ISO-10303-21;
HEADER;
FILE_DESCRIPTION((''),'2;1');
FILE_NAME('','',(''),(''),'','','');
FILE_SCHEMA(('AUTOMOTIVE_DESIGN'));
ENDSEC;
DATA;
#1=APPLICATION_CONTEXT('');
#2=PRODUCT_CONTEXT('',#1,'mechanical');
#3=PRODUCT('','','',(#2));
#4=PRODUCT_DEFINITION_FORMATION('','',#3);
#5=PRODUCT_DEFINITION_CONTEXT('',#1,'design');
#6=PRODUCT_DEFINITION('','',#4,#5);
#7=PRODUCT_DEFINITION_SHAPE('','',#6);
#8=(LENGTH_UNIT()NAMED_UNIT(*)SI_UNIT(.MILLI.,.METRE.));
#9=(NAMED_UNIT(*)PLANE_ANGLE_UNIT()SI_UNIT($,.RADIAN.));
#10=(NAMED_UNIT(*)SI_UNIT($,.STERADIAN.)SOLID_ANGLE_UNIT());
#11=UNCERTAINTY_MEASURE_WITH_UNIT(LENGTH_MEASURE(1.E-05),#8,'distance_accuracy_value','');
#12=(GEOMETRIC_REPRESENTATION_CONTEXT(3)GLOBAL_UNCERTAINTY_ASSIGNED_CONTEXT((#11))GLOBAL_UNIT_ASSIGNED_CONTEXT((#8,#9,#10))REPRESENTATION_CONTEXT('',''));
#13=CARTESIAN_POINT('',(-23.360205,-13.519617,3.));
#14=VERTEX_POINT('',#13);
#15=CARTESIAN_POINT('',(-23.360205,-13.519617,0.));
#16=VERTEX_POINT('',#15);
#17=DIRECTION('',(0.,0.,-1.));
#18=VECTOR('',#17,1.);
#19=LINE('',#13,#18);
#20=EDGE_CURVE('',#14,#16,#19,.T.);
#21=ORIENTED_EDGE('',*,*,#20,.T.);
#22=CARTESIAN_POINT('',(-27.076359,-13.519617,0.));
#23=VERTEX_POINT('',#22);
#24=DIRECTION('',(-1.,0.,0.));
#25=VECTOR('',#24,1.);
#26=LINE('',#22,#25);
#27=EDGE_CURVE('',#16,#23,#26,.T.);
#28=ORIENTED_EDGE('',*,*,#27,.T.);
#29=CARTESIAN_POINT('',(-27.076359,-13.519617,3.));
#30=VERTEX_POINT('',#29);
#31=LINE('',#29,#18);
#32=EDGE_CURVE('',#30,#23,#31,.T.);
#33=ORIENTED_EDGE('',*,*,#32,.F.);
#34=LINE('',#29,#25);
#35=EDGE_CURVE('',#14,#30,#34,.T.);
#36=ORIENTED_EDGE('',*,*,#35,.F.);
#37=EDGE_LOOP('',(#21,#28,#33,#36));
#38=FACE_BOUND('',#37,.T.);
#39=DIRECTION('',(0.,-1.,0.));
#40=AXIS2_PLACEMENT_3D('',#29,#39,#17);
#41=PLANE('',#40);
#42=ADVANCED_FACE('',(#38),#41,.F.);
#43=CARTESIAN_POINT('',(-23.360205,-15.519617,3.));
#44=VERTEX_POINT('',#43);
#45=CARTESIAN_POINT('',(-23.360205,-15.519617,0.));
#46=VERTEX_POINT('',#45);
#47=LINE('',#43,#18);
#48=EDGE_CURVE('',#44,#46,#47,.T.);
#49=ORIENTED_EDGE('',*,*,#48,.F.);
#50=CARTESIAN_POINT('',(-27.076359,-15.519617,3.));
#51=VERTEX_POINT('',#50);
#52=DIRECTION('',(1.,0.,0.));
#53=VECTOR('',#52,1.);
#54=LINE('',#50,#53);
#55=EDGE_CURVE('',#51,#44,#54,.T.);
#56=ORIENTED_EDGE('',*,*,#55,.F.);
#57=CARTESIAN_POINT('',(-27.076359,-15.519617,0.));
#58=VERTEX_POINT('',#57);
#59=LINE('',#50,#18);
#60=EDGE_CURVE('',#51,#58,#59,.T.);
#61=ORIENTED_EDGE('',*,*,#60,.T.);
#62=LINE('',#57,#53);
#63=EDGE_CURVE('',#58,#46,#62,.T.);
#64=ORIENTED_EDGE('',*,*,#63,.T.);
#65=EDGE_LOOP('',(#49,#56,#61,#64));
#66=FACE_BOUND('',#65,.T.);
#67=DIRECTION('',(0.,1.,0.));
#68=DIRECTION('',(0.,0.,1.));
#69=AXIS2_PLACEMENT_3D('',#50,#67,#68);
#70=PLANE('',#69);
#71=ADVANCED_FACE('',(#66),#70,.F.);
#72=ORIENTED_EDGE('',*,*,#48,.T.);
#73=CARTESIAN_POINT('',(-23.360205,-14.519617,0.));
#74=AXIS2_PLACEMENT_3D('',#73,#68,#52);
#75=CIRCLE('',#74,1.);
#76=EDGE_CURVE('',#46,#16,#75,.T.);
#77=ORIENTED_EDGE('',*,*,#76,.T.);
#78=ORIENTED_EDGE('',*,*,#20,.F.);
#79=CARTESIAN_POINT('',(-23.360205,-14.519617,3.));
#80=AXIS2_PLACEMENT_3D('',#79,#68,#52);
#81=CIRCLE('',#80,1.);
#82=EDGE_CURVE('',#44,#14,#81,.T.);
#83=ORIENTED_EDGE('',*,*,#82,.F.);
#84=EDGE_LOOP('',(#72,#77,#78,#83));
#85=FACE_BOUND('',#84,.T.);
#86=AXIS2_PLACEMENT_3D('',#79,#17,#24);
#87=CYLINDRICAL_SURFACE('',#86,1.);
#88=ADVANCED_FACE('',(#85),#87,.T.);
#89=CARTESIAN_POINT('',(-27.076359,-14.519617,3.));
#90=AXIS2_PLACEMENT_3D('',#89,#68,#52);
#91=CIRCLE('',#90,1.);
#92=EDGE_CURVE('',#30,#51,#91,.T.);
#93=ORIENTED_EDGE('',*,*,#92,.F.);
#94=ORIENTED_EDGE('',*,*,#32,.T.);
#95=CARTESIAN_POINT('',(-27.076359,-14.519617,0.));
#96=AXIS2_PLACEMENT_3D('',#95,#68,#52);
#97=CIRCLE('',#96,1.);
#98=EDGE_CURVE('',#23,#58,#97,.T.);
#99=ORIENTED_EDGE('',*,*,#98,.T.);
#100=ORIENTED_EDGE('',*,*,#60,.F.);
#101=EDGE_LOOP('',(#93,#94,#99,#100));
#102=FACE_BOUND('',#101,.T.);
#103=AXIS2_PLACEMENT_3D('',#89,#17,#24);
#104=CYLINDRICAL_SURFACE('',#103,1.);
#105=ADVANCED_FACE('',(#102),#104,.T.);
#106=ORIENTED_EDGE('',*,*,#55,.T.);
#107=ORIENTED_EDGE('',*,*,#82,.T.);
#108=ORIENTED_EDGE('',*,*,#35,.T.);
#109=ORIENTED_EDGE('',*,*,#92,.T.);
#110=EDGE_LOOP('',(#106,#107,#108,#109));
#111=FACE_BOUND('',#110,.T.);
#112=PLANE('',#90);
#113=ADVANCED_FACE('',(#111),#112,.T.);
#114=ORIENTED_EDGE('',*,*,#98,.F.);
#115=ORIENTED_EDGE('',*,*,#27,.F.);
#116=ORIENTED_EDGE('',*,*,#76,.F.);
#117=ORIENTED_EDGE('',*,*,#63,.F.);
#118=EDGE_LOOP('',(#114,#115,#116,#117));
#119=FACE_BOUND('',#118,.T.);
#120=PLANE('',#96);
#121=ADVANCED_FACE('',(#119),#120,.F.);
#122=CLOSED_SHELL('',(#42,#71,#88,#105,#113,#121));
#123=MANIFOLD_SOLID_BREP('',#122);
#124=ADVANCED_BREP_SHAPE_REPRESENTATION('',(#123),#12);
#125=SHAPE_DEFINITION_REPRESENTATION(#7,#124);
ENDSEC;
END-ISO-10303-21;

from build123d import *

# Parameters (mm, degrees)
BOSS_EXTRUDE1_DEPTH = 3


with BuildPart() as part:
    # Sketch1 → Boss-Extrude1 (new body)
    with BuildSketch(Plane.XY):
        with BuildLine():
            Line((-27.076358763, -13.519616816), (-23.360204913, -13.519616816))
            ThreePointArc((-23.360204913, -13.519616816), (-22.360204913, -14.519616816), (-23.360204913, -15.519616816))
            Line((-23.360204913, -15.519616816), (-27.076358763, -15.519616816))
            ThreePointArc((-27.076358763, -15.519616816), (-28.076358763, -14.519616816), (-27.076358763, -13.519616816))
        make_face()
    extrude(amount=BOSS_EXTRUDE1_DEPTH)


solid = part.part
